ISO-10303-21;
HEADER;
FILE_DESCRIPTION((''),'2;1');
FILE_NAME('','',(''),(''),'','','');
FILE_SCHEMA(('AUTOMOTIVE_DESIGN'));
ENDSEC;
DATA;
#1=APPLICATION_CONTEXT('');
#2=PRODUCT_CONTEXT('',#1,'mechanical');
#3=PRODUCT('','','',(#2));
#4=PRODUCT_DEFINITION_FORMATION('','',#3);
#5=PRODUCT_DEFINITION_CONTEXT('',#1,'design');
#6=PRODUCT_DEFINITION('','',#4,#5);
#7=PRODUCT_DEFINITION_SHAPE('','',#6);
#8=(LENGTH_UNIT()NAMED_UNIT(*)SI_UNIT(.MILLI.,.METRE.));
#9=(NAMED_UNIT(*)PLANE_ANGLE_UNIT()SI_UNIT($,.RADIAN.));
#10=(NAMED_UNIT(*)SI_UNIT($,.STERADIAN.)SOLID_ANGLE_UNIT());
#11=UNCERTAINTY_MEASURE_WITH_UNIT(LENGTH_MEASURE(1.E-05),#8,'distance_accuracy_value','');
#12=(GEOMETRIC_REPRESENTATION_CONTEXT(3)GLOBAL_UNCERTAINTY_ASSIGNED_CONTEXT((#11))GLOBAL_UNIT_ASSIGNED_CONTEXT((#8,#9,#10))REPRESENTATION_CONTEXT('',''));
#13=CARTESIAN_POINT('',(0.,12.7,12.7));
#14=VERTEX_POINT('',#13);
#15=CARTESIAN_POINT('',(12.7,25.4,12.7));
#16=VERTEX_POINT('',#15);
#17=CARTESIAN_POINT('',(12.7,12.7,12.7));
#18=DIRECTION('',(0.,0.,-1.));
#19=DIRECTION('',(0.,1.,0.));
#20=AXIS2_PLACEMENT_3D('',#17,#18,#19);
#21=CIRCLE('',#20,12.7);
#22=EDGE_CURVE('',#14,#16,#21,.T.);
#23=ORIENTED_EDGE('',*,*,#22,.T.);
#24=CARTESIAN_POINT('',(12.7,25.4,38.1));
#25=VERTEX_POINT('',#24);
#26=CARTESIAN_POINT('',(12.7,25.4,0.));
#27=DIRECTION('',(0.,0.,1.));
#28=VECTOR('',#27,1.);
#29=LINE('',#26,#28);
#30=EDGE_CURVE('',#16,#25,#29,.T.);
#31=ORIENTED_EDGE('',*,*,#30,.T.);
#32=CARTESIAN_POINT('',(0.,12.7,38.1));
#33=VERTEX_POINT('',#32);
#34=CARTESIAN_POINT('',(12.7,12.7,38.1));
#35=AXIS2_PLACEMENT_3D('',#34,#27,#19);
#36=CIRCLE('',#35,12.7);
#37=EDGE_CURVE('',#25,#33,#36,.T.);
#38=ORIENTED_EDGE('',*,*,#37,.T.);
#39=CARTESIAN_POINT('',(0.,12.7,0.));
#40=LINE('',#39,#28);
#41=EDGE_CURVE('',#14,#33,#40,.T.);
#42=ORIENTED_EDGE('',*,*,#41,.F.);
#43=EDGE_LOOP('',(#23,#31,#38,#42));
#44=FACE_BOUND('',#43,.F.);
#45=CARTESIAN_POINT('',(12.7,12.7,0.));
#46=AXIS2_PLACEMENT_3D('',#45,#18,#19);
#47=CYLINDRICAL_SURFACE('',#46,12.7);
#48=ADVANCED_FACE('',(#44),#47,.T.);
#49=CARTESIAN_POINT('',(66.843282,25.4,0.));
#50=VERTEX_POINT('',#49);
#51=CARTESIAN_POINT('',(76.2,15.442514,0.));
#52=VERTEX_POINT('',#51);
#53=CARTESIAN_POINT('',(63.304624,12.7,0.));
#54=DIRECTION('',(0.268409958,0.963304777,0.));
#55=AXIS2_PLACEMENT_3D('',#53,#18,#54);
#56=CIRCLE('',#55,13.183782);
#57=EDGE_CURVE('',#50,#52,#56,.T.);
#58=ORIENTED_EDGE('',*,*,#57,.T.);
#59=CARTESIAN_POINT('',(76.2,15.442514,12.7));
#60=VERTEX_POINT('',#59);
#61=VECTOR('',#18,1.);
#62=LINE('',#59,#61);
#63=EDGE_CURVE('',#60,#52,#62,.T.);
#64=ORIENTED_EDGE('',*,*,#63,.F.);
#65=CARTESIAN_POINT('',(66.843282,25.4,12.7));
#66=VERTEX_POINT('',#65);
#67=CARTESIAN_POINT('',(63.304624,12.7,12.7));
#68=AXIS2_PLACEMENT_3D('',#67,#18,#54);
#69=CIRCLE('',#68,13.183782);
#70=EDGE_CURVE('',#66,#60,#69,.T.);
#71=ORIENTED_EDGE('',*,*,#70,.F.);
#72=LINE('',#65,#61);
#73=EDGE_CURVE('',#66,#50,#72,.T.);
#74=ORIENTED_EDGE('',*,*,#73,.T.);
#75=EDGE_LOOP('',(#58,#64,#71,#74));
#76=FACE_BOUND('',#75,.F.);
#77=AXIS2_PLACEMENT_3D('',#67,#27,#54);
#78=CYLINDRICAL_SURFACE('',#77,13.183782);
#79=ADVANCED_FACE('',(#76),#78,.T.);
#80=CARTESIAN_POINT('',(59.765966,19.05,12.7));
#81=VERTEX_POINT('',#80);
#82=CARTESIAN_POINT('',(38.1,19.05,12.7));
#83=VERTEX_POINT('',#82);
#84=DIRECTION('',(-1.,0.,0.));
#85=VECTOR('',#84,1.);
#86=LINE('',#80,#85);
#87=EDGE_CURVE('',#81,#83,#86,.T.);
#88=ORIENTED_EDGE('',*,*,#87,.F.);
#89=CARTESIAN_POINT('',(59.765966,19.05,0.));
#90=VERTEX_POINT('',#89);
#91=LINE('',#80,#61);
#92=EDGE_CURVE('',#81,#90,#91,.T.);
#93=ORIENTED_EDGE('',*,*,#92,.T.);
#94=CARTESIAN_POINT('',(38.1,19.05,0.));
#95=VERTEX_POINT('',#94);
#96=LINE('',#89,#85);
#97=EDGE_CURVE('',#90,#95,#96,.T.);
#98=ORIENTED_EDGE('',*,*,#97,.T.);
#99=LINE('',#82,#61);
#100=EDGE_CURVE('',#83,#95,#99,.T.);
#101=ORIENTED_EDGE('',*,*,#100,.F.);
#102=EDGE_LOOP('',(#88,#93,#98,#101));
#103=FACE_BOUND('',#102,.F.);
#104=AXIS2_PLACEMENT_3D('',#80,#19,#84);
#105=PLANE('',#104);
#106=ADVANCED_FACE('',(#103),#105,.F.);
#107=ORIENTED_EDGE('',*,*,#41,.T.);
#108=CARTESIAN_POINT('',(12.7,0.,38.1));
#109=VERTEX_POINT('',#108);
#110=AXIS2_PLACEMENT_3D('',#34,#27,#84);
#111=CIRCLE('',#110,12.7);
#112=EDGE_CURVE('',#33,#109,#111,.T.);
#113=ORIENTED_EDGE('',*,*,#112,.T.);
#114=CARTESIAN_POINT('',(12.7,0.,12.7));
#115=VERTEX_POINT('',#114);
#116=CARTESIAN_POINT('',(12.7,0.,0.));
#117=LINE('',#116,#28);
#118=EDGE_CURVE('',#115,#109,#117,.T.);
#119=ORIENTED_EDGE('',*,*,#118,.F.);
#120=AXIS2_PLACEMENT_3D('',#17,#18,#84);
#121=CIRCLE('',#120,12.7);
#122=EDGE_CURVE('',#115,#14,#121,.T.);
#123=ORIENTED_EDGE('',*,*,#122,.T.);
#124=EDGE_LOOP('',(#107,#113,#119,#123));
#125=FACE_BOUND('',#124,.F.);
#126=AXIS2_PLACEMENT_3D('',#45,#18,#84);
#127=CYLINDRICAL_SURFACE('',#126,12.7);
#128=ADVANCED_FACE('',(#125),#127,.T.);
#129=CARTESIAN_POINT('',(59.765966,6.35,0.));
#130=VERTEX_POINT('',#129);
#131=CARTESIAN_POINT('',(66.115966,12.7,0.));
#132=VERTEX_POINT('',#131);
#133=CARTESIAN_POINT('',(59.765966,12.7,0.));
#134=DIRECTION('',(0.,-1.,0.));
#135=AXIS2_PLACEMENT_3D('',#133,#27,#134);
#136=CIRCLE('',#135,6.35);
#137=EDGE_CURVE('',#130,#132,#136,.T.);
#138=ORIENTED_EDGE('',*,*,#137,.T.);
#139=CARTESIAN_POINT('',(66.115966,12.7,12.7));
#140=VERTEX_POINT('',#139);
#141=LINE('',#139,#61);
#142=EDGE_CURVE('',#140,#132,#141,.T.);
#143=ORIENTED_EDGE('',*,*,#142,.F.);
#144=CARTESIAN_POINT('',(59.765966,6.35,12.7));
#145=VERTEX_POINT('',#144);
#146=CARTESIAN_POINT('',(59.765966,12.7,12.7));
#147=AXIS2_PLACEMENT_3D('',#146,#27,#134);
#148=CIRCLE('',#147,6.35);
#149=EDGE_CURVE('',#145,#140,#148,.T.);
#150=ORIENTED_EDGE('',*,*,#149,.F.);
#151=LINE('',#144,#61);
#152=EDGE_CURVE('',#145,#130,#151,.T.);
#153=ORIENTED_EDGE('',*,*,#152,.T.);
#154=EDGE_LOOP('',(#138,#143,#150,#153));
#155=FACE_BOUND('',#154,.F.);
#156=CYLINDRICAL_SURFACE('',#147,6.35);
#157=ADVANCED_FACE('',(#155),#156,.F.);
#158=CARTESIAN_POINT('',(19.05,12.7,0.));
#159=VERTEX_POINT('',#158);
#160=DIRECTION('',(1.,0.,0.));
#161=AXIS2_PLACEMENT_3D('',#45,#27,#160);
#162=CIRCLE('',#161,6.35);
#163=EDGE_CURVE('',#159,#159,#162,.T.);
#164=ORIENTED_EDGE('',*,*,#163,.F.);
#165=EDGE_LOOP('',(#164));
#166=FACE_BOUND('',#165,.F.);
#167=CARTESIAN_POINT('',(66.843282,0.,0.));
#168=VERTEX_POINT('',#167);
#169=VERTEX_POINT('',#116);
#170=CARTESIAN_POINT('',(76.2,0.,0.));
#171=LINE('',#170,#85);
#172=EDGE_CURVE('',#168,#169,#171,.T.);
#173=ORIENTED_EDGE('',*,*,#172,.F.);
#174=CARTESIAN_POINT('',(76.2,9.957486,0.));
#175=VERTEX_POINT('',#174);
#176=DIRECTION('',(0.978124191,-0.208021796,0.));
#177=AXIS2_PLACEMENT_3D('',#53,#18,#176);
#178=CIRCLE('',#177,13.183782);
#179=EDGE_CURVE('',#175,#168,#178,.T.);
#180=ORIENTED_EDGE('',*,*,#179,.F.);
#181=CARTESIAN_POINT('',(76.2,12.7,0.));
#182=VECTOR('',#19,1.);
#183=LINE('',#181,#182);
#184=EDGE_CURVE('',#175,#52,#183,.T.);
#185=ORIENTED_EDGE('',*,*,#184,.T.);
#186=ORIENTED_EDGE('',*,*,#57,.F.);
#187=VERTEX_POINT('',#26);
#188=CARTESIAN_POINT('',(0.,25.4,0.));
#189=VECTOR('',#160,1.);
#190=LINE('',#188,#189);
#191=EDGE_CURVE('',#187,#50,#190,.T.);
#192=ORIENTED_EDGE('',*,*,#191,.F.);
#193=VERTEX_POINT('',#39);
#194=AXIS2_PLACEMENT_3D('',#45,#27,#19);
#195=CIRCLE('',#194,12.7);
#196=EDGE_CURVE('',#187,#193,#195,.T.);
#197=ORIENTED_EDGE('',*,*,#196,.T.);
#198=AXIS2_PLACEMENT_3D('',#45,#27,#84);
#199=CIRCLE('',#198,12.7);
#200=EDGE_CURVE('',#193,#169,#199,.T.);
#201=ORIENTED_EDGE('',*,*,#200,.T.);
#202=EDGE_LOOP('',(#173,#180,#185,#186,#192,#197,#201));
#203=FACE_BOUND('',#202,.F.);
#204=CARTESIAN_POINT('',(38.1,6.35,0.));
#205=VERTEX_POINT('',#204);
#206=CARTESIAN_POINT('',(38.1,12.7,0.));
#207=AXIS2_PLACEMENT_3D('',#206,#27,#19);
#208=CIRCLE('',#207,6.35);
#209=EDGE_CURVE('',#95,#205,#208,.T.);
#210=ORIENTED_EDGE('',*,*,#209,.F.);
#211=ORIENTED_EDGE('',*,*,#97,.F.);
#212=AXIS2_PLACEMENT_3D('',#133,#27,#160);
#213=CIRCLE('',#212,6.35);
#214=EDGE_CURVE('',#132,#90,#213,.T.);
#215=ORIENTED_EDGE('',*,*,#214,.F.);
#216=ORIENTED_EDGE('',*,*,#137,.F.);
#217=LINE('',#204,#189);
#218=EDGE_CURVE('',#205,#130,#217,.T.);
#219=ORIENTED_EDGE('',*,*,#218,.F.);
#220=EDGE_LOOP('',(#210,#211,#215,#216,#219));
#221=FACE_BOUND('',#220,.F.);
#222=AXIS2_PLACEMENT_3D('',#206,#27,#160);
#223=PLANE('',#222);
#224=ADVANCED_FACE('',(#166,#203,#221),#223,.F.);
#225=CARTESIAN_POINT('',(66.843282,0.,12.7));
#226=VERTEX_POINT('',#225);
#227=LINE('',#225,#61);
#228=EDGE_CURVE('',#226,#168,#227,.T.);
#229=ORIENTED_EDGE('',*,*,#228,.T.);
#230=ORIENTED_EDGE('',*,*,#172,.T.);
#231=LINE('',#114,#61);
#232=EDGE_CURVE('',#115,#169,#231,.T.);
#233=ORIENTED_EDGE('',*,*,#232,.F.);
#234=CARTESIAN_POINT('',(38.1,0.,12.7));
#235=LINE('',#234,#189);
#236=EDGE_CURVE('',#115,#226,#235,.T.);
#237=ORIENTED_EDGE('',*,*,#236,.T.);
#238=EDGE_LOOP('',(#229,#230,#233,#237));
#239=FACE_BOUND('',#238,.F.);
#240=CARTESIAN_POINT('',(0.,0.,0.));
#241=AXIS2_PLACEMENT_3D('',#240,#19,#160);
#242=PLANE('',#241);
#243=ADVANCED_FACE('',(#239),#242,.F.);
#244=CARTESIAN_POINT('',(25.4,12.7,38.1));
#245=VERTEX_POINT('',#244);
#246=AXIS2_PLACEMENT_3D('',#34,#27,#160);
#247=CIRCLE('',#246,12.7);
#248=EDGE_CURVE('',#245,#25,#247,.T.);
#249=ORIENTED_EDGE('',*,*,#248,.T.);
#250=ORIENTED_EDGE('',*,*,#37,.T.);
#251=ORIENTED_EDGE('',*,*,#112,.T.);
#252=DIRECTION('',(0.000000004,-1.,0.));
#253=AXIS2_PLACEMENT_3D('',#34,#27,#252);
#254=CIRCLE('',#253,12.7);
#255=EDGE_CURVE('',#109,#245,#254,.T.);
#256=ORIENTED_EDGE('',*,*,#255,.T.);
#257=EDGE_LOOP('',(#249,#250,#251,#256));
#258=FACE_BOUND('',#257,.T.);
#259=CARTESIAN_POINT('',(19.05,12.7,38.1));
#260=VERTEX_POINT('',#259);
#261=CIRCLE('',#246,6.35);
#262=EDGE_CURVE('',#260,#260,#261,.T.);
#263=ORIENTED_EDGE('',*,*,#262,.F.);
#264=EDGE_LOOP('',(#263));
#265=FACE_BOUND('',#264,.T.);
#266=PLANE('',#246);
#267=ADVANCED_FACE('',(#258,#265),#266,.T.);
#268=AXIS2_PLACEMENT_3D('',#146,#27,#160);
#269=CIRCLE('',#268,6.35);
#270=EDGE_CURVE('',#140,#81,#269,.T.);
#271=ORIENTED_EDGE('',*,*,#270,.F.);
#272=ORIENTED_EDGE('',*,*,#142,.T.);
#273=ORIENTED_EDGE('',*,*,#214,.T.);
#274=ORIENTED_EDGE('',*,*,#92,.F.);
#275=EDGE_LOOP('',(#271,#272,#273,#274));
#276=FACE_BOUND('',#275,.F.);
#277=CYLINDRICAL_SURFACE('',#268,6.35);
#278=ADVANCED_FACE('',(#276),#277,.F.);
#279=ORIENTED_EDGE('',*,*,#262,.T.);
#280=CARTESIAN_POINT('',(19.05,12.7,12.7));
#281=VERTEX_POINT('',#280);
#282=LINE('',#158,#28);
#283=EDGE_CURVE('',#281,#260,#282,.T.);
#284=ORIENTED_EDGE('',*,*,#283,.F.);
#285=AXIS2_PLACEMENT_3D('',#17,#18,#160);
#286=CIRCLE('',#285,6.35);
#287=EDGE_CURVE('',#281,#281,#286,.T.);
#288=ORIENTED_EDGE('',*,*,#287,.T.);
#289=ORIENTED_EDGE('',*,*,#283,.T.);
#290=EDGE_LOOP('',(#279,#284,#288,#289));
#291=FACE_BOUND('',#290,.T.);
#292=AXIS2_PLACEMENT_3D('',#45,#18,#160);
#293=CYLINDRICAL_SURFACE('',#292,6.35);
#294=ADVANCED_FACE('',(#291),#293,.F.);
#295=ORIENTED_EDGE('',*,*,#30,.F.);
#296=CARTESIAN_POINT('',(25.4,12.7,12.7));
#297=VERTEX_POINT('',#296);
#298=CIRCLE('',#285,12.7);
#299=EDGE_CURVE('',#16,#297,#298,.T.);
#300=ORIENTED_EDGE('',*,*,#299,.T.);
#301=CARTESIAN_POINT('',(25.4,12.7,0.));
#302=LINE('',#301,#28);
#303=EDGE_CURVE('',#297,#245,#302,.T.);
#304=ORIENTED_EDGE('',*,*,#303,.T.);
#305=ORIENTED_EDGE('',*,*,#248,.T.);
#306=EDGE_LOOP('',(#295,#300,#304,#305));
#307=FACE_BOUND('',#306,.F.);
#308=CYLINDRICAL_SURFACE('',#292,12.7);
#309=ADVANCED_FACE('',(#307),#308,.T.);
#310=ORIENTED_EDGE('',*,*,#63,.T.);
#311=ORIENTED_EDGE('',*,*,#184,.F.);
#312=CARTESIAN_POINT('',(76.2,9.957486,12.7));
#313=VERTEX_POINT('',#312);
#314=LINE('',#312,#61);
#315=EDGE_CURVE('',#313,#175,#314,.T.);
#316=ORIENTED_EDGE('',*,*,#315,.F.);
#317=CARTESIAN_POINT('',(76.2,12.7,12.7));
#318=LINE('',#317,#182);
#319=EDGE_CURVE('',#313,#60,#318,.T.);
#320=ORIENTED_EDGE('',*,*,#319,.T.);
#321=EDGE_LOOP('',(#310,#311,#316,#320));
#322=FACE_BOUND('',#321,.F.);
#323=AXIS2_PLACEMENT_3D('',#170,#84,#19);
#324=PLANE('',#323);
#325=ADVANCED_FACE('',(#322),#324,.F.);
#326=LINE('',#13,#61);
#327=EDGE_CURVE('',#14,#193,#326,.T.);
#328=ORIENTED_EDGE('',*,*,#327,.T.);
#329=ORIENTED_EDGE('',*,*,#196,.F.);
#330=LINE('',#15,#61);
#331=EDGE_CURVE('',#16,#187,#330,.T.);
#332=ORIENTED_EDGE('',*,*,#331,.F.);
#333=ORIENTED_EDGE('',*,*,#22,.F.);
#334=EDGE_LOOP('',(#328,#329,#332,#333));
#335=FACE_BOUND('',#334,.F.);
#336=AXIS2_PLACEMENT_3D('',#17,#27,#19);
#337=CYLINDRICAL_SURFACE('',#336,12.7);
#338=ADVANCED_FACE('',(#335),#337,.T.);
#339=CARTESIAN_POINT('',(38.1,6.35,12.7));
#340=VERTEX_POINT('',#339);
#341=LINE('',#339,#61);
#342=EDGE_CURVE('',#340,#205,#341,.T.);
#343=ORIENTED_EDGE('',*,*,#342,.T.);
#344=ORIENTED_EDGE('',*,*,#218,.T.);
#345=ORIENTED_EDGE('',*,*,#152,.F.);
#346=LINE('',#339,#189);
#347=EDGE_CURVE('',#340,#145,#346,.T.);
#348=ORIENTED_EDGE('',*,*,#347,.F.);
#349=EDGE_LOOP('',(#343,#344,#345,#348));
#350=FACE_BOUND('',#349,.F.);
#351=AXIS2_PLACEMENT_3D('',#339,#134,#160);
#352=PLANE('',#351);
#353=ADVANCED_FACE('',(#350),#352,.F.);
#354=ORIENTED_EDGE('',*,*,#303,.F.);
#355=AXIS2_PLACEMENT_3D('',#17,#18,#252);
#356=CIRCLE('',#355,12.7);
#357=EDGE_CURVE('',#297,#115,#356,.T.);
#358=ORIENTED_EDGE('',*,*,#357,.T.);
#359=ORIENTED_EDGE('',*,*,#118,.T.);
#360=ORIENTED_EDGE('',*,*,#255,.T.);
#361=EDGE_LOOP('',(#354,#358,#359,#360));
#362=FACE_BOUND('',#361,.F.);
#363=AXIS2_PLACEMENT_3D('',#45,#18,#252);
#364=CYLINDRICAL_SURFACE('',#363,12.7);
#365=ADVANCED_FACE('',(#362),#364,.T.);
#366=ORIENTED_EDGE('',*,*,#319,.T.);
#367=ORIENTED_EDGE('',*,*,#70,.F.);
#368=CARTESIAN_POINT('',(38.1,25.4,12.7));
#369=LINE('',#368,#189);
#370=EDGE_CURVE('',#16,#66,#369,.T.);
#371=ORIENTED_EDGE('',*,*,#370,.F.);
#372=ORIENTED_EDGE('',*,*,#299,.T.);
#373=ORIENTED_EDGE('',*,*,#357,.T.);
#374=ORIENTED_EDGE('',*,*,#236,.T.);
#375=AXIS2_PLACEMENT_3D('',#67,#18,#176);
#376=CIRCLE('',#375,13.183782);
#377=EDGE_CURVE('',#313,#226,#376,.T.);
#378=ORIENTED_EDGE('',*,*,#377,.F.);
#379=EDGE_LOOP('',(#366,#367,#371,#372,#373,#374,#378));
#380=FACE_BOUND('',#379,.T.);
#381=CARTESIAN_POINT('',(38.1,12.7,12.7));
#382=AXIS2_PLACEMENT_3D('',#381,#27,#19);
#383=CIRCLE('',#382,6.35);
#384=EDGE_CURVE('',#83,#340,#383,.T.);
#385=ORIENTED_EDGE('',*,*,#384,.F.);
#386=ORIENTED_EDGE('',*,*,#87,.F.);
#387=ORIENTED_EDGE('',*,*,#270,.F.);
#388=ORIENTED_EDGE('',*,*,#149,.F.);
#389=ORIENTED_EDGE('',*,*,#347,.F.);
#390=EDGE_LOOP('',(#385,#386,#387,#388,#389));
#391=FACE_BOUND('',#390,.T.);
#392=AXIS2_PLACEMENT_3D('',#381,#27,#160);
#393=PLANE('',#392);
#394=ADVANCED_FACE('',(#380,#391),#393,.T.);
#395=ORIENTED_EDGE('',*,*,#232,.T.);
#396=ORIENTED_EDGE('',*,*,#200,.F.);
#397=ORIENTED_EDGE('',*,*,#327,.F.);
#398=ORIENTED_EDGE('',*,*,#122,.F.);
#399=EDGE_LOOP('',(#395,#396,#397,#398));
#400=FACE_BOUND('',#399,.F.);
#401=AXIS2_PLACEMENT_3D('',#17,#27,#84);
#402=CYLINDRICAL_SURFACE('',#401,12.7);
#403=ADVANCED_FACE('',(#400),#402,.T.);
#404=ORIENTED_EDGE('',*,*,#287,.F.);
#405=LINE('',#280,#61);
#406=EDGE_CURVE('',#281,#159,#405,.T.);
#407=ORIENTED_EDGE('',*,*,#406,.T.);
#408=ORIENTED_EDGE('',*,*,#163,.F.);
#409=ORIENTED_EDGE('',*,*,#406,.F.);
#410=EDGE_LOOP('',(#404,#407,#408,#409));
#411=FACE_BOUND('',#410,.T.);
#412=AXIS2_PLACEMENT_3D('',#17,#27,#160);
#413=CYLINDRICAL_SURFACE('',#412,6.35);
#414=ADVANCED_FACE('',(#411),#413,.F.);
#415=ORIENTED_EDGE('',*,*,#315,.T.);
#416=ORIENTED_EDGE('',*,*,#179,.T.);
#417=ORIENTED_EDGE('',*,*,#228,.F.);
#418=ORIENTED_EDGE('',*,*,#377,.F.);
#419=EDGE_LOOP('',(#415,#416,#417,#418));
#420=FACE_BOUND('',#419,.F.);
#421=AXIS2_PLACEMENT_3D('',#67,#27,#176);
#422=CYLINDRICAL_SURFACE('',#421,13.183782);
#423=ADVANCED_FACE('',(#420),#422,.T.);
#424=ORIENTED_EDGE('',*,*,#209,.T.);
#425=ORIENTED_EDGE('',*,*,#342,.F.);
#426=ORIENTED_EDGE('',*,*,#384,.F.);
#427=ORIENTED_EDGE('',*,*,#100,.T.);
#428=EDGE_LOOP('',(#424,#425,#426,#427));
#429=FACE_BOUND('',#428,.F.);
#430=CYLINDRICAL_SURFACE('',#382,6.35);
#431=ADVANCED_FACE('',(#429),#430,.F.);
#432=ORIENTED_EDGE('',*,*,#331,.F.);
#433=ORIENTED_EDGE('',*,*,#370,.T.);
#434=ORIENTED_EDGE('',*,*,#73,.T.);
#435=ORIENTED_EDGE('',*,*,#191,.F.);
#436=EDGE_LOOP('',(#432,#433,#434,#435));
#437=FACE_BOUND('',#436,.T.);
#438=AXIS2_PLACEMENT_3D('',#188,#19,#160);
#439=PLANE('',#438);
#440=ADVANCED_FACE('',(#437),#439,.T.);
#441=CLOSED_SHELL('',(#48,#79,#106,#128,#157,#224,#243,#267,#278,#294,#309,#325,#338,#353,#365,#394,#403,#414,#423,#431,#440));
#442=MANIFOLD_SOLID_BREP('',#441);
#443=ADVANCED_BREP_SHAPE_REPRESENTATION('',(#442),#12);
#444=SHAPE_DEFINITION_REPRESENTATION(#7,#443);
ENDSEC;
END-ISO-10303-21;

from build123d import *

# Parameters (mm, degrees)
F0_R     = 6.35
F1_DEPTH = 38.1
F2_W     = 76.2
F2_H     = 25.4
F3_DEPTH = 12.7
F4_DEPTH = 76.2
F6_DEPTH = 12.7


with BuildPart() as f1:
    # F0 (on Top) → F1 (new body)
    with BuildSketch(Plane.XY):
        with BuildLine():
            ThreePointArc((25.4, 12.7), (21.6802561211, 21.6802561211), (12.7, 25.4))
            ThreePointArc((12.7, 25.4), (3.7197438789, 21.6802561211), (0, 12.7))
            ThreePointArc((0, 12.7), (3.7197438961, 3.7197438617), (12.7000000487, 0))
            ThreePointArc((12.7000000487, 0), (21.6802561383, 3.7197438961), (25.4, 12.7))
        make_face()
        with Locations((12.7, 12.7)):
            Circle(F0_R, mode=Mode.SUBTRACT)
    extrude(amount=F1_DEPTH)

    # F2 (on Top) → F3 (join)
    with BuildSketch(Plane.XY):
        with Locations((38.1, 12.7)):
            Rectangle(F2_W, F2_H)
    extrude(amount=F3_DEPTH)

    # F4 (cut): faces of the model
    f4_faces = [f1.faces().sort_by_distance(p)[0] for p in [
        (2.8367728246, 22.5632271754, 12.7),
        (2.8367728246, 2.8367728246, 12.7),
        (12.7, 12.7, 12.7),
    ]]
    extrude(f4_faces, amount=-F4_DEPTH, mode=Mode.SUBTRACT)

    # F5 (on face) → F6 (cut)
    with BuildSketch(Plane.XY.offset(12.7)):
        with BuildLine():
            ThreePointArc((38.1, 19.05), (42.5901280605, 17.1901280605), (44.45, 12.7))
            ThreePointArc((44.45, 12.7), (42.5901280605, 8.2098719395), (38.1, 6.35))
            Line((38.1, 6.35), (59.7659657613, 6.35))
            ThreePointArc((59.7659657613, 6.35), (53.4159657613, 12.7), (59.7659657613, 19.05))
            Line((59.7659657613, 19.05), (38.1, 19.05))
        make_face()
        with BuildLine():
            ThreePointArc((38.1, 6.35), (42.5901280605, 8.2098719395), (44.45, 12.7))
            ThreePointArc((44.45, 12.7), (42.5901280605, 17.1901280605), (38.1, 19.05))
            ThreePointArc((38.1, 19.05), (31.75, 12.7), (38.1, 6.35))
        make_face()
        with BuildLine():
            ThreePointArc((66.1159657613, 12.7), (64.2560938218, 17.1901280605), (59.7659657613, 19.05))
            ThreePointArc((59.7659657613, 19.05), (53.4159657613, 12.7), (59.7659657613, 6.35))
            ThreePointArc((59.7659657613, 6.35), (64.2560938218, 8.2098719395), (66.1159657613, 12.7))
        make_face()
        with BuildLine():
            ThreePointArc((66.8432824171, 25.4), (72.9122904211, 21.7280036784), (76.2, 15.4425139708))
            Line((76.2, 15.4425139708), (76.2, 25.4))
            Line((76.2, 25.4), (66.8432824171, 25.4))
        make_face()
        with BuildLine():
            ThreePointArc((76.2, 9.9574860292), (72.9122904211, 3.6719963216), (66.8432824171, 0))
            Line((66.8432824171, 0), (76.2, 0))
            Line((76.2, 0), (76.2, 9.9574860292))
        make_face()
    extrude(amount=-F6_DEPTH, mode=Mode.SUBTRACT)


solid = f1.part
